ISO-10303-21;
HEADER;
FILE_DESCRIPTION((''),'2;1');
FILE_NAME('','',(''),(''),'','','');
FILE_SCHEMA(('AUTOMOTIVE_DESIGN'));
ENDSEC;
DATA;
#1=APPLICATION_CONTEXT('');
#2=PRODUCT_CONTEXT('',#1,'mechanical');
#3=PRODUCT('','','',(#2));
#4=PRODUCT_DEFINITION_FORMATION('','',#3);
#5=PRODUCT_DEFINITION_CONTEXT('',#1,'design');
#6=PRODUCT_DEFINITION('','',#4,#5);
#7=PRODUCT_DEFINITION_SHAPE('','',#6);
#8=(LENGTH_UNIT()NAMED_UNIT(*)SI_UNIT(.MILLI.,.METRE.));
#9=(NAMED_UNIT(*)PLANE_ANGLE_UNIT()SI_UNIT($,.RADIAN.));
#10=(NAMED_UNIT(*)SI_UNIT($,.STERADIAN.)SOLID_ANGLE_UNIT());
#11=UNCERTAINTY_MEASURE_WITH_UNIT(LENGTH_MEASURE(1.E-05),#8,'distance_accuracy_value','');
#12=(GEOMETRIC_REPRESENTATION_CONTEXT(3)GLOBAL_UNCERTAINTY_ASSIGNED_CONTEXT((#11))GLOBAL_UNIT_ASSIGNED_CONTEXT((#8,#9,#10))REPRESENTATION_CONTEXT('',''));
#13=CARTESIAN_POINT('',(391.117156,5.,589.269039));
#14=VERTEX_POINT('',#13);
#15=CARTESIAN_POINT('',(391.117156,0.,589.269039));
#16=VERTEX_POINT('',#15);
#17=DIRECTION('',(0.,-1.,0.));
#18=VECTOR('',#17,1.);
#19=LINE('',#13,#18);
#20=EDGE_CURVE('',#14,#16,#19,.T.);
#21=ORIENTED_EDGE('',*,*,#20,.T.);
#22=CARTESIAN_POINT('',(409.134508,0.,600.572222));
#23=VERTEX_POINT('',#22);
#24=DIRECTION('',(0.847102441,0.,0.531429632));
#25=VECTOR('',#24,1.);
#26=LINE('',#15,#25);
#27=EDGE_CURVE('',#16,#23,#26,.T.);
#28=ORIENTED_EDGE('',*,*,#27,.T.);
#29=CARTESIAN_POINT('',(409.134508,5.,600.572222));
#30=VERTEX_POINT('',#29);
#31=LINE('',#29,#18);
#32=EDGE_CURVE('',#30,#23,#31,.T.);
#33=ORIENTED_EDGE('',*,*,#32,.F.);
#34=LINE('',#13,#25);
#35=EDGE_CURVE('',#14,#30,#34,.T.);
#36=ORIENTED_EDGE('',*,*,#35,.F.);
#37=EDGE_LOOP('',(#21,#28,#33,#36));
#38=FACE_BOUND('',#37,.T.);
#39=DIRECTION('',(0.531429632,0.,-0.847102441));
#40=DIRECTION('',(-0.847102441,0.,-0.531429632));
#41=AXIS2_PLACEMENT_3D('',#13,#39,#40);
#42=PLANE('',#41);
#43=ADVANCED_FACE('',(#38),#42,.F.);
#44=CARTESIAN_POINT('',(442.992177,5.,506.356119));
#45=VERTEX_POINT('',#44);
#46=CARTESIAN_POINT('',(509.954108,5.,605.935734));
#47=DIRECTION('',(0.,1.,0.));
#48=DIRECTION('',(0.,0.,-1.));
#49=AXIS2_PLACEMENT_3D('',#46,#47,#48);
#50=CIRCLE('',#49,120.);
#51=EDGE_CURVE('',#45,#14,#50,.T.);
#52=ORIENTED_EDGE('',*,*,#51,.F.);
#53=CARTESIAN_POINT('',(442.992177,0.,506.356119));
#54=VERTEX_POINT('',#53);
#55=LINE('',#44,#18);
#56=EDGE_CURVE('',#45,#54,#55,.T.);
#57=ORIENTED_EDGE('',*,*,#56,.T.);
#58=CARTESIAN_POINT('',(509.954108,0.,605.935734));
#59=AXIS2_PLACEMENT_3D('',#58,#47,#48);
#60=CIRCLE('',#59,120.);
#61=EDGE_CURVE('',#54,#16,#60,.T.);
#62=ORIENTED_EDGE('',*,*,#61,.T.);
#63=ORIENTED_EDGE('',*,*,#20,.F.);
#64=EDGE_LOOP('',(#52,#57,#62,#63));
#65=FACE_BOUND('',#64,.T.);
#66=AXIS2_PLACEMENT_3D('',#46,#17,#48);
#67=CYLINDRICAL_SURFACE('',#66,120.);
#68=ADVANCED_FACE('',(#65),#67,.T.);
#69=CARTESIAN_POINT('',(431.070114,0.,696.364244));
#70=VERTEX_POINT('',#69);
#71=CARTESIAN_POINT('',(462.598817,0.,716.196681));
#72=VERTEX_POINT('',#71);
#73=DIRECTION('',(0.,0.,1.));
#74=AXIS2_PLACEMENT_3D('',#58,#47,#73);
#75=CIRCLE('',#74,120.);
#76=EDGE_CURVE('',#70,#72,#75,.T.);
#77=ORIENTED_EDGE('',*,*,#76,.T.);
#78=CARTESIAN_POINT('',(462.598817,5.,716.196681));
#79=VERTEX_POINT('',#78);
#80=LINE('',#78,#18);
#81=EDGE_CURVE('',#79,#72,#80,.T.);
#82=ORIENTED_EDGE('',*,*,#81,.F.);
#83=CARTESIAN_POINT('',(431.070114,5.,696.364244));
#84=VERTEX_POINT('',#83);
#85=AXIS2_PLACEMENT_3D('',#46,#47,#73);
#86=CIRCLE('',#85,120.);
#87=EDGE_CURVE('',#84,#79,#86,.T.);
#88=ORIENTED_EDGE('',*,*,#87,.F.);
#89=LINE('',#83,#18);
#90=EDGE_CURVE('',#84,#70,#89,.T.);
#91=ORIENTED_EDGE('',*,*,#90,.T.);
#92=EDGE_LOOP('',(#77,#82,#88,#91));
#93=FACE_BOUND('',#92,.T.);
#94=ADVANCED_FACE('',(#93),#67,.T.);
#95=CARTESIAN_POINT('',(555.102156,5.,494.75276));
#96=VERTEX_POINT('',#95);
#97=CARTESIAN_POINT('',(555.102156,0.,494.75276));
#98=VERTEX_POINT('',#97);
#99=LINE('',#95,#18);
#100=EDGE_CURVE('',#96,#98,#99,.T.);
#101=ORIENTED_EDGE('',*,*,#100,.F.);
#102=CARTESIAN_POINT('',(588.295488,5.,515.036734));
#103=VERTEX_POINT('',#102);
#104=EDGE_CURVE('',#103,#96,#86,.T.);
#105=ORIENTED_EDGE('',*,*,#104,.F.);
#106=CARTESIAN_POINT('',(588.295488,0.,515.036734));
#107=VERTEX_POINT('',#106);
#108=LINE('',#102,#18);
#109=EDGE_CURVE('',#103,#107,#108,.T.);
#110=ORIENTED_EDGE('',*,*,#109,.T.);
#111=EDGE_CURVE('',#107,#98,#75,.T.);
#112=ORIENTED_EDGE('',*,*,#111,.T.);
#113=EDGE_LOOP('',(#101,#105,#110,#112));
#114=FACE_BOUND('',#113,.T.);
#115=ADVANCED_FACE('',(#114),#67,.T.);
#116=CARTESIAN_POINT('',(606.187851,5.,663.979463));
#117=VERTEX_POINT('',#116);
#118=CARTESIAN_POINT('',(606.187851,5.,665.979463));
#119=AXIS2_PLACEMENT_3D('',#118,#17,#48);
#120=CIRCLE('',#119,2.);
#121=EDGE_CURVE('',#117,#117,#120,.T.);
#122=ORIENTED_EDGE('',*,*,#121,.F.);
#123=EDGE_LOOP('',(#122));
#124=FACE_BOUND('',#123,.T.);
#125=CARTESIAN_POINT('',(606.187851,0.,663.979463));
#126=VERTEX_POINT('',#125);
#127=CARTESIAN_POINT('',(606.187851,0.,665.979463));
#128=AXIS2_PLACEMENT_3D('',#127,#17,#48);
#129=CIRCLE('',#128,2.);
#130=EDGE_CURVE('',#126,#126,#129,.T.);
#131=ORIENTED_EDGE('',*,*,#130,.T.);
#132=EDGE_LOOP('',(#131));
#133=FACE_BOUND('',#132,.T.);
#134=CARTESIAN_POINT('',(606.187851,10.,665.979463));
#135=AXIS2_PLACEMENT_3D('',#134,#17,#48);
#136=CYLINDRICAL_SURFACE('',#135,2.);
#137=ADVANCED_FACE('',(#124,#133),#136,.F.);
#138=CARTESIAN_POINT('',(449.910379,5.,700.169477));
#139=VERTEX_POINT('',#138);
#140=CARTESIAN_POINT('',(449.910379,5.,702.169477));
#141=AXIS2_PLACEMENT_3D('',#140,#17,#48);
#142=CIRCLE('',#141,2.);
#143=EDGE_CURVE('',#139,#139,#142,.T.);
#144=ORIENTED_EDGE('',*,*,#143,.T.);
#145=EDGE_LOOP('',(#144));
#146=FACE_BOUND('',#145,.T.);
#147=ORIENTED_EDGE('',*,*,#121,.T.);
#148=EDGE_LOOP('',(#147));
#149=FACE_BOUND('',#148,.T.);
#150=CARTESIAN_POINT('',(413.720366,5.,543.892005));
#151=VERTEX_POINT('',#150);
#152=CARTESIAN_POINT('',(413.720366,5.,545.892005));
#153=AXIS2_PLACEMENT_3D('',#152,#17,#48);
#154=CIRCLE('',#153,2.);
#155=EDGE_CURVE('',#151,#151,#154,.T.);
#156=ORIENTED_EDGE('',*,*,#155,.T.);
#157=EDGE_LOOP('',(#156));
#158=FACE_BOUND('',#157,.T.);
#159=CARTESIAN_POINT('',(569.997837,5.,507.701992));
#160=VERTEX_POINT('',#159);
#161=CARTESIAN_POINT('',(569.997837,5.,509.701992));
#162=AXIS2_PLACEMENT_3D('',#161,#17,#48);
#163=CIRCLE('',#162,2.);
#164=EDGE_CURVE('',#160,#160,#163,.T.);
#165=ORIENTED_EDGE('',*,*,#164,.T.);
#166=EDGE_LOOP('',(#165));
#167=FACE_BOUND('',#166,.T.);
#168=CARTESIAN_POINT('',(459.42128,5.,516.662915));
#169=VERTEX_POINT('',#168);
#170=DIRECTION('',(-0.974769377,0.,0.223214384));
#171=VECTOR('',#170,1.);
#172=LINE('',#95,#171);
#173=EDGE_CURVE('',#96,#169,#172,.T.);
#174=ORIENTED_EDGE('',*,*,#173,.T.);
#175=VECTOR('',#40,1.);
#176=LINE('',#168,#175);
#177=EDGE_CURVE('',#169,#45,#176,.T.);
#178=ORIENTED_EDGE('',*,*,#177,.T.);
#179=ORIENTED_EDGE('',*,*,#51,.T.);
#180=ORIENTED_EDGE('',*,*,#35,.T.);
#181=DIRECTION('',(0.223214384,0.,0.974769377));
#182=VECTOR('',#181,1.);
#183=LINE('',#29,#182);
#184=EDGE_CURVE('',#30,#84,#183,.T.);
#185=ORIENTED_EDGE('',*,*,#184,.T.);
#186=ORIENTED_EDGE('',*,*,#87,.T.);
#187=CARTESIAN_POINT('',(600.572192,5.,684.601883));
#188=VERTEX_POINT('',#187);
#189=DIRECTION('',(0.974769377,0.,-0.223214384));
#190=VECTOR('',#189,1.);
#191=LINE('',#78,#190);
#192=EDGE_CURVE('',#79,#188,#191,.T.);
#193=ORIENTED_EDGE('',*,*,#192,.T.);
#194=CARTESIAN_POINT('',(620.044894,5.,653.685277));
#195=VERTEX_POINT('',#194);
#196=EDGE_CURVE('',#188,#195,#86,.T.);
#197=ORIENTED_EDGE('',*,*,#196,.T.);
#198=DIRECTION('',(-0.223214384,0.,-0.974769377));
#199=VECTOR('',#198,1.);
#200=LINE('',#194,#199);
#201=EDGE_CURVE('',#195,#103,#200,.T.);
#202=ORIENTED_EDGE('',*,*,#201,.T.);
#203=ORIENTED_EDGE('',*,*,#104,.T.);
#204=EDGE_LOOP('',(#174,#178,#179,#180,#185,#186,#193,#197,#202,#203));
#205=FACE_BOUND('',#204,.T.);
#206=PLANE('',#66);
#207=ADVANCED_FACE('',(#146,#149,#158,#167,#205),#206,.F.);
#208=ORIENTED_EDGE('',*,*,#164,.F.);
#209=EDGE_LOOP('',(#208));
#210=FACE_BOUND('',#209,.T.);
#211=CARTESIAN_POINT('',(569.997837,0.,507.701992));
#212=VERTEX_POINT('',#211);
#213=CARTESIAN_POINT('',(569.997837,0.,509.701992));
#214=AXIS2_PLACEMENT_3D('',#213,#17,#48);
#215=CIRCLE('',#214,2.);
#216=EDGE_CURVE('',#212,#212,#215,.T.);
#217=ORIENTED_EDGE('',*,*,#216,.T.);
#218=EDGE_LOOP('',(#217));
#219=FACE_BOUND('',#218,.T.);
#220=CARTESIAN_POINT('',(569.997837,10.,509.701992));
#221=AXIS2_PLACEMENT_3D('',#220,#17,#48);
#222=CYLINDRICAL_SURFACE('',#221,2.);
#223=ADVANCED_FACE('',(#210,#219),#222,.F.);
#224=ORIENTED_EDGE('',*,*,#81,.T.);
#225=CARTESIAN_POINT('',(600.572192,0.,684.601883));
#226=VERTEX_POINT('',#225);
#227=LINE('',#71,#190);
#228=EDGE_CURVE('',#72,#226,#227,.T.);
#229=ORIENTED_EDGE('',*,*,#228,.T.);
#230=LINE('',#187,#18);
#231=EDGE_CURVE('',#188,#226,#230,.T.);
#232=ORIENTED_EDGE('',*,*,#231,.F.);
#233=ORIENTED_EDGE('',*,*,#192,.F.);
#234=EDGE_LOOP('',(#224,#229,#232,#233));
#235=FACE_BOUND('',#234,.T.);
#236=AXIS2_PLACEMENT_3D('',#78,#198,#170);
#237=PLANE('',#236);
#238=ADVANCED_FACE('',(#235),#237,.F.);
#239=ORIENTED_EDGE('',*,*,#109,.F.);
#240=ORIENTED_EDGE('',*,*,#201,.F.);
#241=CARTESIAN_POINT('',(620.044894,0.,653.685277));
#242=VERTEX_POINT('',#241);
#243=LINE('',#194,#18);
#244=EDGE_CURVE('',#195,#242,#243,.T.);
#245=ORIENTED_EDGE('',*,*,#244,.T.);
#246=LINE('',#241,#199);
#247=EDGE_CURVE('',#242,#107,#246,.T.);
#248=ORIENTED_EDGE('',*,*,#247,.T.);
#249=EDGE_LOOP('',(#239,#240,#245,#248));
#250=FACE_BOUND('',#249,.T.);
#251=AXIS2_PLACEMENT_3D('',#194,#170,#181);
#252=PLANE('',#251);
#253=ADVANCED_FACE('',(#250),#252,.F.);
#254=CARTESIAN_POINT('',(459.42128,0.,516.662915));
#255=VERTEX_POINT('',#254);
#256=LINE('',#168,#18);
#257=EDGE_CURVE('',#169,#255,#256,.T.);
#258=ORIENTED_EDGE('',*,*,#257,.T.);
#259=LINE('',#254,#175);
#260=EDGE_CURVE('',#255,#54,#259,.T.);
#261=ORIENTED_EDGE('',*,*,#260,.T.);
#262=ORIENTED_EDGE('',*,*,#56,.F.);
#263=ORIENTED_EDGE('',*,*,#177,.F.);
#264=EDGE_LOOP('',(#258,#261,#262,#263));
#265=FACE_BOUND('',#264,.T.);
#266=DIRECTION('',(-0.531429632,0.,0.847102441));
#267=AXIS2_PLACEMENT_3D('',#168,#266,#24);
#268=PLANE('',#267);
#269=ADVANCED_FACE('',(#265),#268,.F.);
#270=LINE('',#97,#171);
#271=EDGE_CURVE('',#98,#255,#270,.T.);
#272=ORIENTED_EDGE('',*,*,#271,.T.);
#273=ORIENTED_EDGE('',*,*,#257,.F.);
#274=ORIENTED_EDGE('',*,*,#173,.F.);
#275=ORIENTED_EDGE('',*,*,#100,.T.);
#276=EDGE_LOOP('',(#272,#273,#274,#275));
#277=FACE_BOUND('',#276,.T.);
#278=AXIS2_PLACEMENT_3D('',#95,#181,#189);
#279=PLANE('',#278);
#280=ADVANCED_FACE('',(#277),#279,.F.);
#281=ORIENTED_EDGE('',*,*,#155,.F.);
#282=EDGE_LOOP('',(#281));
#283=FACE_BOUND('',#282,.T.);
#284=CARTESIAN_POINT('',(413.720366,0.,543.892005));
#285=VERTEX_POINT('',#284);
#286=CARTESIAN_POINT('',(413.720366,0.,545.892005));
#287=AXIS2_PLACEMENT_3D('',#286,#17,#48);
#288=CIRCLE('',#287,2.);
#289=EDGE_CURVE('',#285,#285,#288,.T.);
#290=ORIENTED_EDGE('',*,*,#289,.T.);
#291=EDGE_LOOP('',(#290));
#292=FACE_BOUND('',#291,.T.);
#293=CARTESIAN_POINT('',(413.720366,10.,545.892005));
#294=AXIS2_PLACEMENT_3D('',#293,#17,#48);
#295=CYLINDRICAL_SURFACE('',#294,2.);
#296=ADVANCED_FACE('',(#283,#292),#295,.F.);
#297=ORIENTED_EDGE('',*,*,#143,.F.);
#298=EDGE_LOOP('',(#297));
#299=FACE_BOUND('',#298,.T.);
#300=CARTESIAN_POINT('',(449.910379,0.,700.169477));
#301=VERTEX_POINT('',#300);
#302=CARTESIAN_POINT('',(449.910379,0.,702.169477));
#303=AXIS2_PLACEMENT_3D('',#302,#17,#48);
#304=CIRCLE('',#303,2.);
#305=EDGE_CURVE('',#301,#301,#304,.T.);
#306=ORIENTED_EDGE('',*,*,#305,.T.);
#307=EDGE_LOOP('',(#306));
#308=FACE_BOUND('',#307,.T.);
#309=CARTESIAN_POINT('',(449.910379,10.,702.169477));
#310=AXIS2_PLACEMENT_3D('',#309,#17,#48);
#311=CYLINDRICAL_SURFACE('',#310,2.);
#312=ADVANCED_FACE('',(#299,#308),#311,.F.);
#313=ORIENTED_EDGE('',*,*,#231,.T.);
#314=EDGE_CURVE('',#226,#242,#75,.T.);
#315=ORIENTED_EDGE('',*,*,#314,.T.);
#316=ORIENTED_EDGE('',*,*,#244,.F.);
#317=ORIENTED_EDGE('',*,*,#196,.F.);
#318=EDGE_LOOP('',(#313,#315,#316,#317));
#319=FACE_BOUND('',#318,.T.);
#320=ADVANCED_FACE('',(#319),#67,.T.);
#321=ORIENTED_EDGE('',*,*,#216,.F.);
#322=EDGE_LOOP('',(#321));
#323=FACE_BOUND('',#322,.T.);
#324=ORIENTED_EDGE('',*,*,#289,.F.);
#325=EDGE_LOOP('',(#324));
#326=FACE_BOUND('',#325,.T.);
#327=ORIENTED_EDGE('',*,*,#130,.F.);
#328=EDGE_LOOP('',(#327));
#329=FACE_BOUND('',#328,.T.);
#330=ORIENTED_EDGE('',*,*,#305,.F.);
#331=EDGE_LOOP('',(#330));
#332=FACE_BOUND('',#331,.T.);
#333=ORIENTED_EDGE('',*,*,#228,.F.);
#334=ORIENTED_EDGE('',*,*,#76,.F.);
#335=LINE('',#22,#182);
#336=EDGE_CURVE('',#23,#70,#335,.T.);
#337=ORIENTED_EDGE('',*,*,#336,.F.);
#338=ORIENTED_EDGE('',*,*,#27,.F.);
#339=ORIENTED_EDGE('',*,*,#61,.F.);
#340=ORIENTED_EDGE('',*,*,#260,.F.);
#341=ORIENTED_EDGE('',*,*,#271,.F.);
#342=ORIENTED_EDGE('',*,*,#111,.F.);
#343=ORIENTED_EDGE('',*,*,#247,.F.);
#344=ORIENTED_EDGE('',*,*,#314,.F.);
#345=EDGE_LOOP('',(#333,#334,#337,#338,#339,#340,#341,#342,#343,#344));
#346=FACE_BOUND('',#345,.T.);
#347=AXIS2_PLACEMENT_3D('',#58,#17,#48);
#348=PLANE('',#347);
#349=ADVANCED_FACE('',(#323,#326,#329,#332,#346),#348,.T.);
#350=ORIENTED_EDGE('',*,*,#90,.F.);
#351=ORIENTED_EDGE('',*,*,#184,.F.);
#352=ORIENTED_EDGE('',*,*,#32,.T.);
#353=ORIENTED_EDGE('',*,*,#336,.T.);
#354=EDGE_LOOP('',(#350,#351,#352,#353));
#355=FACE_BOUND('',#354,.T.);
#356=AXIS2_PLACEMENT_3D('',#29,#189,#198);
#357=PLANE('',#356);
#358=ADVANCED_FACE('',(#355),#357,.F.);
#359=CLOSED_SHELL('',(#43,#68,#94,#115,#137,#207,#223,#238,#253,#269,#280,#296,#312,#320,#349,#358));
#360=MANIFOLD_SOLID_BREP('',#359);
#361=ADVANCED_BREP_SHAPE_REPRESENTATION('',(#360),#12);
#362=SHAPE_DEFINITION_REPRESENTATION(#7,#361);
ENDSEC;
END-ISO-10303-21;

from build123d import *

# Parameters (mm, degrees)
SALIENTE_EXTRUIR1_DEPTH = 5
CROQUIS3_R              = 2
CORTAR_EXTRUIR1_DEPTH   = 10


with BuildPart() as part:
    # Croquis1 → Saliente-Extruir1 (new body)
    with BuildSketch(Plane(origin=(0, 0, 0), x_dir=(1, 0, 0), z_dir=(0, 1, 0))):
        with BuildLine():
            Line((391.11715601, -589.26903854), (409.134507606, -600.572222265))
            Line((409.134507606, -600.572222265), (431.070113816, -696.364244316))
            ThreePointArc((431.070113816, -696.364244316), (446.060284595, -707.511220058), (462.598816983, -716.196681165))
            Line((462.598816983, -716.196681165), (600.572192141, -684.601882766))
            ThreePointArc((600.572192141, -684.601882766), (611.492139331, -669.889063268), (620.044894414, -653.685277145))
            Line((620.044894414, -653.685277145), (588.295487999, -515.036734211))
            ThreePointArc((588.295487999, -515.036734211), (572.526223432, -503.540761802), (555.102156346, -494.752760164))
            Line((555.102156346, -494.752760164), (459.421279691, -516.662914968))
            Line((459.421279691, -516.662914968), (442.992177211, -506.356119167))
            ThreePointArc((442.992177211, -506.356119167), (408.224347097, -542.287830533), (391.11715601, -589.26903854))
        make_face()
    extrude(amount=SALIENTE_EXTRUIR1_DEPTH)

    # Croquis3 → Cortar-Extruir1 (cut)
    with BuildSketch(Plane.XZ):
        with Locations(Location((449.910379391, 702.169476818, 0), (0, 0, 270))):
            Circle(CROQUIS3_R)
        with Locations(Location((413.720365983, 545.892005433, 0), (0, 0, 270))):
            Circle(CROQUIS3_R)
        with Locations(Location((569.997837367, 509.701992025, 0), (0, 0, 270))):
            Circle(CROQUIS3_R)
        with Locations(Location((606.187850775, 665.97946341, 0), (0, 0, 270))):
            Circle(CROQUIS3_R)
    extrude(amount=-CORTAR_EXTRUIR1_DEPTH, mode=Mode.SUBTRACT)


solid = part.part
